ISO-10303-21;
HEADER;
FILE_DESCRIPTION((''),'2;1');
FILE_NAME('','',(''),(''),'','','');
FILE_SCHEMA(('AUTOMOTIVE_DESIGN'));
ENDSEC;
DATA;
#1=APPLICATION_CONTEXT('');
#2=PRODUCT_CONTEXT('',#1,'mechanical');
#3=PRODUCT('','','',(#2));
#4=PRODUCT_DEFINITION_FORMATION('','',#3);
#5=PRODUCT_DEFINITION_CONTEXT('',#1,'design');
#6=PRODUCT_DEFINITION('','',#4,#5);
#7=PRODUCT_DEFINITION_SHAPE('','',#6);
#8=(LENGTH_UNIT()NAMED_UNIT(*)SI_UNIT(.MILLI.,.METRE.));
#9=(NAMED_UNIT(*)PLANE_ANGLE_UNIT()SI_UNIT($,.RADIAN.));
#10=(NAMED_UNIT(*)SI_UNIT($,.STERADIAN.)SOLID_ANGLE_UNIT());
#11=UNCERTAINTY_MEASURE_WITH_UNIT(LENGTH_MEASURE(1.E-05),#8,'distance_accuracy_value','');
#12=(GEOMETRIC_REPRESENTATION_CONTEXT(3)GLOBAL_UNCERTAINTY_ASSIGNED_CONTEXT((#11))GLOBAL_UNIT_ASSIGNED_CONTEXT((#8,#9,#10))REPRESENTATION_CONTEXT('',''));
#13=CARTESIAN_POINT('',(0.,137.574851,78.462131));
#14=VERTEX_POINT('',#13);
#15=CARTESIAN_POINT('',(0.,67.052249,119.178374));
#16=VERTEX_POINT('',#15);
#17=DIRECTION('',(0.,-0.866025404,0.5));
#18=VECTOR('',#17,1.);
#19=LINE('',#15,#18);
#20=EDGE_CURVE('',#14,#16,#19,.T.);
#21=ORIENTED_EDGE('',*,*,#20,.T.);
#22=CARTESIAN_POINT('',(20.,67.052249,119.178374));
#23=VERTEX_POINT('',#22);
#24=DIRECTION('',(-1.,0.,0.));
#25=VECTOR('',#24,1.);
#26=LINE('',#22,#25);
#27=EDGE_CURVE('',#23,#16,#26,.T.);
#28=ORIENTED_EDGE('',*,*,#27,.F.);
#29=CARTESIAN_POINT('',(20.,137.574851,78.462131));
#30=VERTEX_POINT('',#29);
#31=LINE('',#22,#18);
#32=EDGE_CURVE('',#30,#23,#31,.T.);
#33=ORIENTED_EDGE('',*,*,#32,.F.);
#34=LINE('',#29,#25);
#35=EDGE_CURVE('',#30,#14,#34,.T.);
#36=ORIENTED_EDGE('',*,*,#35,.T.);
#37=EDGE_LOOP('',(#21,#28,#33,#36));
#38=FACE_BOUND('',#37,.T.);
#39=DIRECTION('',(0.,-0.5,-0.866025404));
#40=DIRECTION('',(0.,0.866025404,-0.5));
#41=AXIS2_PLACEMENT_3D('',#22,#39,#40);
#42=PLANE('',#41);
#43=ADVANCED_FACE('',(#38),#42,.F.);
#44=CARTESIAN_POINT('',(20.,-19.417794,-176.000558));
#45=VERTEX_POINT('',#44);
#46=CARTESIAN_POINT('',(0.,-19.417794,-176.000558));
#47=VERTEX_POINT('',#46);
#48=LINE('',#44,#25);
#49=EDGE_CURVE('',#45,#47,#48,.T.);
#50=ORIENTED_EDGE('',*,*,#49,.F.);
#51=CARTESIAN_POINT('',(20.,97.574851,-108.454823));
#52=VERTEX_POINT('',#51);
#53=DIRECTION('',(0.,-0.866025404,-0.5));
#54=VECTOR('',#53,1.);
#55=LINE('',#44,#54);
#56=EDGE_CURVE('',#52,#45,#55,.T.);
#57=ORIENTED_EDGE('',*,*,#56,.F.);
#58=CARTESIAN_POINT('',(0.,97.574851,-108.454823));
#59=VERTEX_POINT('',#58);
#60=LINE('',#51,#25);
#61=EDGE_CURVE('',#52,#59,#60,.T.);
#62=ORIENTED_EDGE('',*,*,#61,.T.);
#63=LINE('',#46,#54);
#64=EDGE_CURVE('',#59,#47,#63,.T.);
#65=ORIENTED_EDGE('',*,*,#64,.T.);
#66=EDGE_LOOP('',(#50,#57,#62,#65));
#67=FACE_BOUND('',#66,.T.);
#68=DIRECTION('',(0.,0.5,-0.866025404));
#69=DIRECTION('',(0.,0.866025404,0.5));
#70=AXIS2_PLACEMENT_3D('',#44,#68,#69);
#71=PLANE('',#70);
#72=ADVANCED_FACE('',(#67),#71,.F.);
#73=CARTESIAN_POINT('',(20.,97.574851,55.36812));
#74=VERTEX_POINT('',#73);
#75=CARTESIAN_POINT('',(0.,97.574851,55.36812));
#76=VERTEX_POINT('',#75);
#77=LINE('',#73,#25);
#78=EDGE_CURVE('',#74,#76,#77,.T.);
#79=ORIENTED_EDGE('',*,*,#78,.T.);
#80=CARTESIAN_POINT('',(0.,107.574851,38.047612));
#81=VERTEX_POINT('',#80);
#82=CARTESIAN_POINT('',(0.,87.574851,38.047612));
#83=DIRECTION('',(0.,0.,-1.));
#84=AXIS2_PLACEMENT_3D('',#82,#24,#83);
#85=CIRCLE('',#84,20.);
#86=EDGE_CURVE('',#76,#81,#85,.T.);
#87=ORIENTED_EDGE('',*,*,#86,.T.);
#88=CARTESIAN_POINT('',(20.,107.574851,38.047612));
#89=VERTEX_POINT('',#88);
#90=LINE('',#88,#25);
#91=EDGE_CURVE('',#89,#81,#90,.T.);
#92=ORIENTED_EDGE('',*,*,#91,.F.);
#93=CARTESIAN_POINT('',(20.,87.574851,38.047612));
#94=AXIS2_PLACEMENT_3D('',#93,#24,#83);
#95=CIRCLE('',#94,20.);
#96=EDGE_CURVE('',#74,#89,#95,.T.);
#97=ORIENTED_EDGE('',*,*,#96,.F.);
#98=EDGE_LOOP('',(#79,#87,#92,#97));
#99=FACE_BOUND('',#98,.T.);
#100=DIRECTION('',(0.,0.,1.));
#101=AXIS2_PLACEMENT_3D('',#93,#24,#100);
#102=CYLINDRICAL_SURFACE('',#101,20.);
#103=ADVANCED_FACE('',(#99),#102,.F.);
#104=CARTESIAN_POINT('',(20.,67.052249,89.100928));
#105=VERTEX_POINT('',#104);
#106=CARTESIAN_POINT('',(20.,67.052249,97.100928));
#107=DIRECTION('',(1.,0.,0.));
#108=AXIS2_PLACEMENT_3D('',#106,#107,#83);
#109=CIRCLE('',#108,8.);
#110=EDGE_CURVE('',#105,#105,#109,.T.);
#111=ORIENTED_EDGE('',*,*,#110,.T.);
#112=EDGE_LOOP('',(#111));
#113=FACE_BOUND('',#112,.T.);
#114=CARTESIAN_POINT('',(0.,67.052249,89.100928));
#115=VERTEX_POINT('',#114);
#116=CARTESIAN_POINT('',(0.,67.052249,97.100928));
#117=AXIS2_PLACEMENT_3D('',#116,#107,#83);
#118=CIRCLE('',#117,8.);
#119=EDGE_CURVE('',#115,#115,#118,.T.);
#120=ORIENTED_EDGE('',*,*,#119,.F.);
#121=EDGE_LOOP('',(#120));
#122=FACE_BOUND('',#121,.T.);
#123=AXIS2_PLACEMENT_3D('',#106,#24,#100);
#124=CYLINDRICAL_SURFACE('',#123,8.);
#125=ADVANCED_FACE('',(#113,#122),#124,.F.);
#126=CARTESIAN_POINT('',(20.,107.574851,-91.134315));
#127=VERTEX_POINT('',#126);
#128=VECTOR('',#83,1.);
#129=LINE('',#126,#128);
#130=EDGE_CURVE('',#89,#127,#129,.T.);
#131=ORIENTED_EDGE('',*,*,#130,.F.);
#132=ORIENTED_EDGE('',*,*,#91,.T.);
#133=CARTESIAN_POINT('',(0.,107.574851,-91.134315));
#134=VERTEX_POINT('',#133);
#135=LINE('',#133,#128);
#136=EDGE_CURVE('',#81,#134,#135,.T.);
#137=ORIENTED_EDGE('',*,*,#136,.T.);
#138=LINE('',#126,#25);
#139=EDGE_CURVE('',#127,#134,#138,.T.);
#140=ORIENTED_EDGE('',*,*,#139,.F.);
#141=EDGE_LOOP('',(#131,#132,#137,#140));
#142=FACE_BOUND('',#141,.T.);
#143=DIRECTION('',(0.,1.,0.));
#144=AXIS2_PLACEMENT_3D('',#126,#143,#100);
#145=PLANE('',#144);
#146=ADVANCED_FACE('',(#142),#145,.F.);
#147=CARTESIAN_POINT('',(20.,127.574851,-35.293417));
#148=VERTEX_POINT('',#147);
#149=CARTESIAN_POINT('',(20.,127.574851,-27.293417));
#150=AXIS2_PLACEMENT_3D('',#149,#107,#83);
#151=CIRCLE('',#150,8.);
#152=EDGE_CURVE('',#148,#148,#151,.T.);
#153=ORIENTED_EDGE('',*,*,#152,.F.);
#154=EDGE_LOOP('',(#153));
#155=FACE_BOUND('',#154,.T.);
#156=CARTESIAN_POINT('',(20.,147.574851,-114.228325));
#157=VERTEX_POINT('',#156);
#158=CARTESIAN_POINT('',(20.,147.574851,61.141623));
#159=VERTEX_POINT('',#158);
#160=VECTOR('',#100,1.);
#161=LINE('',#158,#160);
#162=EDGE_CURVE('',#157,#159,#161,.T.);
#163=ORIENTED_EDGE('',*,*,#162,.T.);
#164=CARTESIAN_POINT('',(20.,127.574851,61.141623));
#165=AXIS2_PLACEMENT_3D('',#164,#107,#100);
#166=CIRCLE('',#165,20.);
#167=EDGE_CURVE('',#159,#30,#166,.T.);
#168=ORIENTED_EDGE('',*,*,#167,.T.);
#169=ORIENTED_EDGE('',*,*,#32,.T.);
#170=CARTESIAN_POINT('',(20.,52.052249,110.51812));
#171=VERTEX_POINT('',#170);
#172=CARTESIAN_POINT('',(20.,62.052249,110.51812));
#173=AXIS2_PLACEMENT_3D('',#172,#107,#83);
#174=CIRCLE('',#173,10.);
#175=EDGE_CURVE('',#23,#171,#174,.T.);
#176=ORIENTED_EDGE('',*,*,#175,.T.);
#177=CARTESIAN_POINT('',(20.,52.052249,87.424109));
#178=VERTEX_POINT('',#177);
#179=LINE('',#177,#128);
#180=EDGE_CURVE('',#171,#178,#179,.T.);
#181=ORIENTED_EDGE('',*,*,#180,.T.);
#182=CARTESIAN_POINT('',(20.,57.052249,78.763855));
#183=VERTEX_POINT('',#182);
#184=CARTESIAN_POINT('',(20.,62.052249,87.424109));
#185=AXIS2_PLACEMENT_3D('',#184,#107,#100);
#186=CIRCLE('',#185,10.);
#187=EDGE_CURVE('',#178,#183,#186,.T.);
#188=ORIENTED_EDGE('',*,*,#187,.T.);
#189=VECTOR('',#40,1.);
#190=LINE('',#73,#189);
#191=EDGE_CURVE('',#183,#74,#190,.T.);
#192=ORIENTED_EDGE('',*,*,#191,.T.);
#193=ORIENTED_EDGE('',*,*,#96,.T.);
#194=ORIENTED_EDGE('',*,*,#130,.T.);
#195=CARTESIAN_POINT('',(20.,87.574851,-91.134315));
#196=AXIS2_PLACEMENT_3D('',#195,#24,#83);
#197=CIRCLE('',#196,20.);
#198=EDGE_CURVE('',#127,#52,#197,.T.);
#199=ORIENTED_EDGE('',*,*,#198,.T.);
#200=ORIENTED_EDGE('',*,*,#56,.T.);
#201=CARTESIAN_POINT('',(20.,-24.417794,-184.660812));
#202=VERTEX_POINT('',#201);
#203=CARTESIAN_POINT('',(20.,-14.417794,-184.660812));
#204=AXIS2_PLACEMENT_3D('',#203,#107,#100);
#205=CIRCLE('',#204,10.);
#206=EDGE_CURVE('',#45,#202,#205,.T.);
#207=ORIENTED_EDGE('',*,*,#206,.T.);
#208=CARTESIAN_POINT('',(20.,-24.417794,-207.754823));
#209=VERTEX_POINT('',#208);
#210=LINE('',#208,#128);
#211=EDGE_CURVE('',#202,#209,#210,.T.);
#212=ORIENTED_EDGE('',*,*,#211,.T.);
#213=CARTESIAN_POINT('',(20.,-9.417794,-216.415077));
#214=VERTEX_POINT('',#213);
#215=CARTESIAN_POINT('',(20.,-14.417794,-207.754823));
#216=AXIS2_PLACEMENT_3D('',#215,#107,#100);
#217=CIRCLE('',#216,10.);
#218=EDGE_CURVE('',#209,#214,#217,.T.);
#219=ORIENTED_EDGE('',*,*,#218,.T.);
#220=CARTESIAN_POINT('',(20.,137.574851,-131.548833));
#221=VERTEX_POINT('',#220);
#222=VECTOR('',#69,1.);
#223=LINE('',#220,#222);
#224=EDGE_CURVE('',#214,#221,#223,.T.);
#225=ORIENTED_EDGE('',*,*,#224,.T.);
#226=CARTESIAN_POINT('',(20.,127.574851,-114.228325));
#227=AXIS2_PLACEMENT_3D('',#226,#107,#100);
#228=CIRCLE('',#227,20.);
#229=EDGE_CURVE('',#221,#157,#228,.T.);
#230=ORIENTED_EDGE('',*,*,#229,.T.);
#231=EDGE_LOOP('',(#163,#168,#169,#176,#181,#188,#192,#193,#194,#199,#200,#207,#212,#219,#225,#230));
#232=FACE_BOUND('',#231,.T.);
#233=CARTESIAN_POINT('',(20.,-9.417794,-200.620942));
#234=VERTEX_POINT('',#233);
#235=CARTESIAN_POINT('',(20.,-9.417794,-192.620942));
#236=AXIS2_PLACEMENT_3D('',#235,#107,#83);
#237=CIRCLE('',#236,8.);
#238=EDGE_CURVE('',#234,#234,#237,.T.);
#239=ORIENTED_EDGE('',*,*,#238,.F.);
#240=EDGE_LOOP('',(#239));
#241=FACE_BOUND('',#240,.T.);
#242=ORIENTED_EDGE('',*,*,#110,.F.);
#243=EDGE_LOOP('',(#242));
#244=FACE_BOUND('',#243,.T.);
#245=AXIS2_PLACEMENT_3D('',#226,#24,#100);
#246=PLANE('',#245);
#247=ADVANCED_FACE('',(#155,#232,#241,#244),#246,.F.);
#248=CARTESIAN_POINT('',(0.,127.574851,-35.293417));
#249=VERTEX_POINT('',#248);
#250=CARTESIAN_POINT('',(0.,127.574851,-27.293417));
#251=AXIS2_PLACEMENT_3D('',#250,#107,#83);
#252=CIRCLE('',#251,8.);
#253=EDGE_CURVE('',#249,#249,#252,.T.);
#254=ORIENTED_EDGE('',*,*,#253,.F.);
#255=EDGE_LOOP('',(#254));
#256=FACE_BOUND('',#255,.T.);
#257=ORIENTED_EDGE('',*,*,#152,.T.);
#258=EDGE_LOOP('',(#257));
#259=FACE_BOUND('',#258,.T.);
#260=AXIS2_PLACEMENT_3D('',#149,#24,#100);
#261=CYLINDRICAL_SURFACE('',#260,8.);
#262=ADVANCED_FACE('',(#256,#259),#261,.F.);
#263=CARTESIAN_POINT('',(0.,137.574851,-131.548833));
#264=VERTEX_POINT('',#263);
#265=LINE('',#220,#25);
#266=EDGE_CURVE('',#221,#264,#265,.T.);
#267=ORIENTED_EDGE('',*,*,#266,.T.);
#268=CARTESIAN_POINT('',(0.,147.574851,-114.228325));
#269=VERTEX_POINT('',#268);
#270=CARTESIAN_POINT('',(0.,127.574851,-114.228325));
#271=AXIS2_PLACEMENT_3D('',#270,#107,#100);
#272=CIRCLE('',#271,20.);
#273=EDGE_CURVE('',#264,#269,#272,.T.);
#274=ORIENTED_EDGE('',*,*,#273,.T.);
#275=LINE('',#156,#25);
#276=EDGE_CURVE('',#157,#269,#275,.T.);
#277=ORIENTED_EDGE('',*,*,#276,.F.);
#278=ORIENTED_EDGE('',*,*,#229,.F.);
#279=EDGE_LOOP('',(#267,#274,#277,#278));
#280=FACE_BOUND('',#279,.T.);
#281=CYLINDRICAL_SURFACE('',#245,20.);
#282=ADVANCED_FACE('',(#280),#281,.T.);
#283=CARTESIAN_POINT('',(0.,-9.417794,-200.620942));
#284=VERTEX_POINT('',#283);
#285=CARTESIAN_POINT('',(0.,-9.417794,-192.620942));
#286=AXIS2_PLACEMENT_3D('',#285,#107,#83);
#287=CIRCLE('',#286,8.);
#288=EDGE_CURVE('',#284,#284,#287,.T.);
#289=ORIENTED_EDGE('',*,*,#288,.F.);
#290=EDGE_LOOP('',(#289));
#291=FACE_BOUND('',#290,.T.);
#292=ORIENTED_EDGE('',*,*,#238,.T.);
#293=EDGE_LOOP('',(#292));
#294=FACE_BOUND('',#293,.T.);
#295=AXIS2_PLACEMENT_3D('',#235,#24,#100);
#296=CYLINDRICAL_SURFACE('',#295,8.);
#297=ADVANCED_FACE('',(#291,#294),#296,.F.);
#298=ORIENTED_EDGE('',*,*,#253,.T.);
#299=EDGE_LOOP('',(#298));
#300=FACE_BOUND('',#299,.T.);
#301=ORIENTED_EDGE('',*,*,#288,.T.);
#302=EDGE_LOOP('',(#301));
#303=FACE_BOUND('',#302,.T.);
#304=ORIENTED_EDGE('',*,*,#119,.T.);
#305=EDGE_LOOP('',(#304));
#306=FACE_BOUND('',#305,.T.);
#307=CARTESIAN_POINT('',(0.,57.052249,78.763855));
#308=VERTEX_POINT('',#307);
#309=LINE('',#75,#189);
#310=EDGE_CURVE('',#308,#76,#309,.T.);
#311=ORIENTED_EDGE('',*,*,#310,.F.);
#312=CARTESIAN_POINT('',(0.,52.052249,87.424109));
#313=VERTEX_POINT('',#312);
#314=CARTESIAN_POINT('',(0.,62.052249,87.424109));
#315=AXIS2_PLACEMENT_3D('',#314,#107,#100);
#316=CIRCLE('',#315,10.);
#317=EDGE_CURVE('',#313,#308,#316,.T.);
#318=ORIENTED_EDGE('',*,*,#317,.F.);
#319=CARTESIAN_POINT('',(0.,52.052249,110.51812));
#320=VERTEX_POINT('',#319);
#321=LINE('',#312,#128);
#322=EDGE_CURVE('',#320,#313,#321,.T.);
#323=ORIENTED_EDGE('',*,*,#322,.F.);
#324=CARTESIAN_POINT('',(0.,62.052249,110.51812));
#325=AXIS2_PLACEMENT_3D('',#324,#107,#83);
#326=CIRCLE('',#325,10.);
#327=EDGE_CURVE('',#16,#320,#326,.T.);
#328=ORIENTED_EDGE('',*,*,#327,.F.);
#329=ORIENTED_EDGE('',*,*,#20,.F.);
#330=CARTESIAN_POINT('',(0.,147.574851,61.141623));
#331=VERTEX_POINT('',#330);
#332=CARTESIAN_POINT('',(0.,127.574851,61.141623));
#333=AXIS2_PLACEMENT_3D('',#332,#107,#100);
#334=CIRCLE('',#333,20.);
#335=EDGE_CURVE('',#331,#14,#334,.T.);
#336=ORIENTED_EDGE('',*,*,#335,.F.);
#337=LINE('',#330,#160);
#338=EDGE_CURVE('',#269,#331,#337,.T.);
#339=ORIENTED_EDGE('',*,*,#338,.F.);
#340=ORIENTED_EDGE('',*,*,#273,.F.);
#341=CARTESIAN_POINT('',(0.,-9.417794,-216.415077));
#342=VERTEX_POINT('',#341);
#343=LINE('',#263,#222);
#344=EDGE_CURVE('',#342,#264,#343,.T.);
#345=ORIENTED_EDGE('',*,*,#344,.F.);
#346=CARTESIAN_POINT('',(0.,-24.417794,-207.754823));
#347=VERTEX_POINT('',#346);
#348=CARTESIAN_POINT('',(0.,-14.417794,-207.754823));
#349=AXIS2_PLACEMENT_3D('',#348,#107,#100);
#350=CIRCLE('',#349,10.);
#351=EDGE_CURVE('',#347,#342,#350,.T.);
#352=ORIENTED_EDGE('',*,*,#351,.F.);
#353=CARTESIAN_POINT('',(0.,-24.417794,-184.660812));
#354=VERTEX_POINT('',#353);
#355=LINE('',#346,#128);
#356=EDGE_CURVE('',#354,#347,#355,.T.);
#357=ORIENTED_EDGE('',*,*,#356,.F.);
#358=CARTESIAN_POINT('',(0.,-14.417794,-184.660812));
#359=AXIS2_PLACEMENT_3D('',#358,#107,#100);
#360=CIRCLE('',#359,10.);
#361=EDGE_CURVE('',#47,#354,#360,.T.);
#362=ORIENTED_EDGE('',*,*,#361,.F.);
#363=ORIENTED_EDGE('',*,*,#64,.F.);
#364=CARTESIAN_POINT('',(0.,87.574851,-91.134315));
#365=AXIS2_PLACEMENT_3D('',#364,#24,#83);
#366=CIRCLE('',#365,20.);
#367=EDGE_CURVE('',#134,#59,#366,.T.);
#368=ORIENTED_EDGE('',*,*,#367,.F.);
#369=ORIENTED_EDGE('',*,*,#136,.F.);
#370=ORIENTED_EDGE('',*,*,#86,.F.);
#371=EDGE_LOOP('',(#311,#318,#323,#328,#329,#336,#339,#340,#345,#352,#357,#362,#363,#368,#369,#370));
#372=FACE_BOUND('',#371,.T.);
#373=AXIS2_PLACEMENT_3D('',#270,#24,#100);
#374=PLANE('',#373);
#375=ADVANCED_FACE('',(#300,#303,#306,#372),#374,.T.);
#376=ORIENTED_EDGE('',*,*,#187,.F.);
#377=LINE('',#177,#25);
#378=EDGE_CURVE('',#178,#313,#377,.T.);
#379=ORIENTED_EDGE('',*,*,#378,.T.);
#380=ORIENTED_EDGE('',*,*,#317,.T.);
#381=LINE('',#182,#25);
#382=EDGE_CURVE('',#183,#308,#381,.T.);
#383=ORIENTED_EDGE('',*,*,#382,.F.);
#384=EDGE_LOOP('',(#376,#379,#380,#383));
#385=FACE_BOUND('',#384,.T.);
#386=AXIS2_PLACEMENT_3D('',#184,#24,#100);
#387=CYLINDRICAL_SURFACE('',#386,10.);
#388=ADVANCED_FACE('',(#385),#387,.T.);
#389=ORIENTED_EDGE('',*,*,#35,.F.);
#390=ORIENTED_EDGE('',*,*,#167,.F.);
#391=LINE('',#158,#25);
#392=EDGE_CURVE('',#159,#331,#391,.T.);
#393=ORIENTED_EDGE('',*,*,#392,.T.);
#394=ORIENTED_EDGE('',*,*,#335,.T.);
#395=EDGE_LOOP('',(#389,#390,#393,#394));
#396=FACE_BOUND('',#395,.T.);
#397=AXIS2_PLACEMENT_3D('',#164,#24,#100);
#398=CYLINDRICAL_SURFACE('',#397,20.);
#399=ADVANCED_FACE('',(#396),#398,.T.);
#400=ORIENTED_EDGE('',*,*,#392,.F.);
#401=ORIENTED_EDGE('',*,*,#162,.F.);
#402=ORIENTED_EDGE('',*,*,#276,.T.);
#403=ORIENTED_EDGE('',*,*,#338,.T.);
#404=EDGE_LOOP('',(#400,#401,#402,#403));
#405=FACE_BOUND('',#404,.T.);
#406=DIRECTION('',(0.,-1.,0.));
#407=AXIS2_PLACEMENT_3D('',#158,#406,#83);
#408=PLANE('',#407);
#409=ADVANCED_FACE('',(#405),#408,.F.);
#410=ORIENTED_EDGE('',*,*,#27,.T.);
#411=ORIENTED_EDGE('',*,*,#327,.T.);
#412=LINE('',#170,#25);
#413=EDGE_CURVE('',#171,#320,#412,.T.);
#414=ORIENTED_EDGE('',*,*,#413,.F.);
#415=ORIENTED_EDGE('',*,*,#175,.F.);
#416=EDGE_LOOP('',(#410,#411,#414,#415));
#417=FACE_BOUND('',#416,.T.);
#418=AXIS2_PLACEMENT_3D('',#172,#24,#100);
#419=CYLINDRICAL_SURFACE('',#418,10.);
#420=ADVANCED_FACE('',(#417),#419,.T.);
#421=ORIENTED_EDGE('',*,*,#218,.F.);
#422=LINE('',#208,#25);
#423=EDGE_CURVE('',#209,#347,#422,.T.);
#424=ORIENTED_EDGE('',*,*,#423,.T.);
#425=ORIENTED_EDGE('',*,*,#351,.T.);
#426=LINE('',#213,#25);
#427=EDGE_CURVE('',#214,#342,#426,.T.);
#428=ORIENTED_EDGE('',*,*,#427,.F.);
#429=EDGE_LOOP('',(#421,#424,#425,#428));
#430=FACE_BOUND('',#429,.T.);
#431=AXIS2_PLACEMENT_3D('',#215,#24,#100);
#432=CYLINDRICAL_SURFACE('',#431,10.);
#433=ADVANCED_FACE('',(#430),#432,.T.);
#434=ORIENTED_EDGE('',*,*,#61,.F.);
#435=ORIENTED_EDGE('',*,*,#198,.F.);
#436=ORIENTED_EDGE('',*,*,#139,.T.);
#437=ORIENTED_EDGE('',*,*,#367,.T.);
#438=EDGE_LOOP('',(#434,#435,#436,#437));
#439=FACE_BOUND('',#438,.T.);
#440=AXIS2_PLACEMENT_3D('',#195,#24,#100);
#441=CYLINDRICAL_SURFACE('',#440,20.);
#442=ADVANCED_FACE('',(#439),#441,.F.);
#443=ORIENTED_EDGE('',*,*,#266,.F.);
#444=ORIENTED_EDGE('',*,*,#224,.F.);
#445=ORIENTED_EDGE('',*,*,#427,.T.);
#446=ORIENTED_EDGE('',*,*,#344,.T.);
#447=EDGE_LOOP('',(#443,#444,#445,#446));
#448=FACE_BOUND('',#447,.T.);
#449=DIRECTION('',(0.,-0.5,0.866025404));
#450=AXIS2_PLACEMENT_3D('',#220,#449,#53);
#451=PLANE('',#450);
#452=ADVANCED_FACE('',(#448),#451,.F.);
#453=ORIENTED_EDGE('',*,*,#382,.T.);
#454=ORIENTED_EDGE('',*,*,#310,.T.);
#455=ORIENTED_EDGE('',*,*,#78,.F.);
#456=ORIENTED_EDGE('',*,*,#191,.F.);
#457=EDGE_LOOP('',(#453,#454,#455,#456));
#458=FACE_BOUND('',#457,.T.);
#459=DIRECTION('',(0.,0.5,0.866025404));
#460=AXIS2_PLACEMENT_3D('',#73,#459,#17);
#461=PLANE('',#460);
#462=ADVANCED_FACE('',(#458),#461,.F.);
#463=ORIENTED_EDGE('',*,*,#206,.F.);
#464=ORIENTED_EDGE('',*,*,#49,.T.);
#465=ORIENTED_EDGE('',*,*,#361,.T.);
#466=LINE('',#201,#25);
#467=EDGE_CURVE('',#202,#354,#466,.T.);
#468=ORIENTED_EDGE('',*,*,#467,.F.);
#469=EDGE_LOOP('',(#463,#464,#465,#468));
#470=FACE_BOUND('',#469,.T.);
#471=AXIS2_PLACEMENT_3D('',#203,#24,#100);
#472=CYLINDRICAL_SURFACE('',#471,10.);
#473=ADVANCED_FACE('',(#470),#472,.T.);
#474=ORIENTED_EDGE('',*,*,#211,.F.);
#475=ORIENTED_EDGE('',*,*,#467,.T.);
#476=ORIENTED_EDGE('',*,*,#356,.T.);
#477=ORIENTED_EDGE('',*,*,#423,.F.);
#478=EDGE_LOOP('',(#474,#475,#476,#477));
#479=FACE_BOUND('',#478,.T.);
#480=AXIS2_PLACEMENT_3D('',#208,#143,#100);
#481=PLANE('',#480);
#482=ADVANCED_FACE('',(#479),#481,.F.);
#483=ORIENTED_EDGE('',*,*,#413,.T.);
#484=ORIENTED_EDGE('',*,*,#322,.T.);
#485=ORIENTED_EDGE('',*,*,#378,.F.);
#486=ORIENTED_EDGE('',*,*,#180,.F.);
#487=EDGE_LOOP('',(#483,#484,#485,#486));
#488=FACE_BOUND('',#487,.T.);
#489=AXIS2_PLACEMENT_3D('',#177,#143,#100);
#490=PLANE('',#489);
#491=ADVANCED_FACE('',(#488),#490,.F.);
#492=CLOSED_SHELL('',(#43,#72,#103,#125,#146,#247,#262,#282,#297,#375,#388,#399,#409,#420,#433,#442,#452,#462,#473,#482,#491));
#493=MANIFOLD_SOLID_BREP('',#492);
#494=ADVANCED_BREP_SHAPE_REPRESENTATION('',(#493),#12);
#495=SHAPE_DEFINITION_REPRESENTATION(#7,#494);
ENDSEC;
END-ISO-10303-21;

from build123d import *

# Parameters (mm, degrees)
SKETCH1_R           = 8
BOSS_EXTRUDE1_DEPTH = 20


with BuildPart() as part:
    # Sketch1 → Boss-Extrude1 (new body)
    with BuildSketch(Plane(origin=(0, 0, 0), x_dir=(0, 0, -1), z_dir=(1, 0, 0))):
        with BuildLine():
            Line((-119.178374201, 67.052249248), (-78.462130931, 137.574851286))
            ThreePointArc((-78.462130931, 137.574851286), (-71.141622855, 144.895359362), (-61.141622855, 147.574851286))
            Line((-61.141622855, 147.574851286), (114.228325361, 147.574851286))
            ThreePointArc((114.228325361, 147.574851286), (124.228325361, 144.895359362), (131.548833436, 137.574851286))
            Line((131.548833436, 137.574851286), (216.415076707, -9.417793906))
            ThreePointArc((216.415076707, -9.417793906), (216.415076707, -19.417793906), (207.754822669, -24.417793906))
            Line((207.754822669, -24.417793906), (184.660811901, -24.417793906))
            ThreePointArc((184.660811901, -24.417793906), (179.660811901, -23.078047944), (176.000557863, -19.417793906))
            Line((176.000557863, -19.417793906), (108.454822669, 97.574851286))
            ThreePointArc((108.454822669, 97.574851286), (101.134314593, 104.895359362), (91.134314593, 107.574851286))
            Line((91.134314593, 107.574851286), (-38.047612088, 107.574851286))
            ThreePointArc((-38.047612088, 107.574851286), (-48.047612088, 104.895359362), (-55.368120164, 97.574851286))
            Line((-55.368120164, 97.574851286), (-78.763855358, 57.052249248))
            ThreePointArc((-78.763855358, 57.052249248), (-82.424109396, 53.391995211), (-87.424109396, 52.052249248))
            Line((-87.424109396, 52.052249248), (-110.518120164, 52.052249248))
            ThreePointArc((-110.518120164, 52.052249248), (-119.178374201, 57.052249248), (-119.178374201, 67.052249248))
        make_face()
        with Locations((27.29341652, 127.574851286)):
            Circle(SKETCH1_R, mode=Mode.SUBTRACT)
        with Locations((-97.100927569, 67.052249248)):
            Circle(SKETCH1_R, mode=Mode.SUBTRACT)
        with Locations((192.620942212, -9.417793906)):
            Circle(SKETCH1_R, mode=Mode.SUBTRACT)
    extrude(amount=BOSS_EXTRUDE1_DEPTH)


solid = part.part
